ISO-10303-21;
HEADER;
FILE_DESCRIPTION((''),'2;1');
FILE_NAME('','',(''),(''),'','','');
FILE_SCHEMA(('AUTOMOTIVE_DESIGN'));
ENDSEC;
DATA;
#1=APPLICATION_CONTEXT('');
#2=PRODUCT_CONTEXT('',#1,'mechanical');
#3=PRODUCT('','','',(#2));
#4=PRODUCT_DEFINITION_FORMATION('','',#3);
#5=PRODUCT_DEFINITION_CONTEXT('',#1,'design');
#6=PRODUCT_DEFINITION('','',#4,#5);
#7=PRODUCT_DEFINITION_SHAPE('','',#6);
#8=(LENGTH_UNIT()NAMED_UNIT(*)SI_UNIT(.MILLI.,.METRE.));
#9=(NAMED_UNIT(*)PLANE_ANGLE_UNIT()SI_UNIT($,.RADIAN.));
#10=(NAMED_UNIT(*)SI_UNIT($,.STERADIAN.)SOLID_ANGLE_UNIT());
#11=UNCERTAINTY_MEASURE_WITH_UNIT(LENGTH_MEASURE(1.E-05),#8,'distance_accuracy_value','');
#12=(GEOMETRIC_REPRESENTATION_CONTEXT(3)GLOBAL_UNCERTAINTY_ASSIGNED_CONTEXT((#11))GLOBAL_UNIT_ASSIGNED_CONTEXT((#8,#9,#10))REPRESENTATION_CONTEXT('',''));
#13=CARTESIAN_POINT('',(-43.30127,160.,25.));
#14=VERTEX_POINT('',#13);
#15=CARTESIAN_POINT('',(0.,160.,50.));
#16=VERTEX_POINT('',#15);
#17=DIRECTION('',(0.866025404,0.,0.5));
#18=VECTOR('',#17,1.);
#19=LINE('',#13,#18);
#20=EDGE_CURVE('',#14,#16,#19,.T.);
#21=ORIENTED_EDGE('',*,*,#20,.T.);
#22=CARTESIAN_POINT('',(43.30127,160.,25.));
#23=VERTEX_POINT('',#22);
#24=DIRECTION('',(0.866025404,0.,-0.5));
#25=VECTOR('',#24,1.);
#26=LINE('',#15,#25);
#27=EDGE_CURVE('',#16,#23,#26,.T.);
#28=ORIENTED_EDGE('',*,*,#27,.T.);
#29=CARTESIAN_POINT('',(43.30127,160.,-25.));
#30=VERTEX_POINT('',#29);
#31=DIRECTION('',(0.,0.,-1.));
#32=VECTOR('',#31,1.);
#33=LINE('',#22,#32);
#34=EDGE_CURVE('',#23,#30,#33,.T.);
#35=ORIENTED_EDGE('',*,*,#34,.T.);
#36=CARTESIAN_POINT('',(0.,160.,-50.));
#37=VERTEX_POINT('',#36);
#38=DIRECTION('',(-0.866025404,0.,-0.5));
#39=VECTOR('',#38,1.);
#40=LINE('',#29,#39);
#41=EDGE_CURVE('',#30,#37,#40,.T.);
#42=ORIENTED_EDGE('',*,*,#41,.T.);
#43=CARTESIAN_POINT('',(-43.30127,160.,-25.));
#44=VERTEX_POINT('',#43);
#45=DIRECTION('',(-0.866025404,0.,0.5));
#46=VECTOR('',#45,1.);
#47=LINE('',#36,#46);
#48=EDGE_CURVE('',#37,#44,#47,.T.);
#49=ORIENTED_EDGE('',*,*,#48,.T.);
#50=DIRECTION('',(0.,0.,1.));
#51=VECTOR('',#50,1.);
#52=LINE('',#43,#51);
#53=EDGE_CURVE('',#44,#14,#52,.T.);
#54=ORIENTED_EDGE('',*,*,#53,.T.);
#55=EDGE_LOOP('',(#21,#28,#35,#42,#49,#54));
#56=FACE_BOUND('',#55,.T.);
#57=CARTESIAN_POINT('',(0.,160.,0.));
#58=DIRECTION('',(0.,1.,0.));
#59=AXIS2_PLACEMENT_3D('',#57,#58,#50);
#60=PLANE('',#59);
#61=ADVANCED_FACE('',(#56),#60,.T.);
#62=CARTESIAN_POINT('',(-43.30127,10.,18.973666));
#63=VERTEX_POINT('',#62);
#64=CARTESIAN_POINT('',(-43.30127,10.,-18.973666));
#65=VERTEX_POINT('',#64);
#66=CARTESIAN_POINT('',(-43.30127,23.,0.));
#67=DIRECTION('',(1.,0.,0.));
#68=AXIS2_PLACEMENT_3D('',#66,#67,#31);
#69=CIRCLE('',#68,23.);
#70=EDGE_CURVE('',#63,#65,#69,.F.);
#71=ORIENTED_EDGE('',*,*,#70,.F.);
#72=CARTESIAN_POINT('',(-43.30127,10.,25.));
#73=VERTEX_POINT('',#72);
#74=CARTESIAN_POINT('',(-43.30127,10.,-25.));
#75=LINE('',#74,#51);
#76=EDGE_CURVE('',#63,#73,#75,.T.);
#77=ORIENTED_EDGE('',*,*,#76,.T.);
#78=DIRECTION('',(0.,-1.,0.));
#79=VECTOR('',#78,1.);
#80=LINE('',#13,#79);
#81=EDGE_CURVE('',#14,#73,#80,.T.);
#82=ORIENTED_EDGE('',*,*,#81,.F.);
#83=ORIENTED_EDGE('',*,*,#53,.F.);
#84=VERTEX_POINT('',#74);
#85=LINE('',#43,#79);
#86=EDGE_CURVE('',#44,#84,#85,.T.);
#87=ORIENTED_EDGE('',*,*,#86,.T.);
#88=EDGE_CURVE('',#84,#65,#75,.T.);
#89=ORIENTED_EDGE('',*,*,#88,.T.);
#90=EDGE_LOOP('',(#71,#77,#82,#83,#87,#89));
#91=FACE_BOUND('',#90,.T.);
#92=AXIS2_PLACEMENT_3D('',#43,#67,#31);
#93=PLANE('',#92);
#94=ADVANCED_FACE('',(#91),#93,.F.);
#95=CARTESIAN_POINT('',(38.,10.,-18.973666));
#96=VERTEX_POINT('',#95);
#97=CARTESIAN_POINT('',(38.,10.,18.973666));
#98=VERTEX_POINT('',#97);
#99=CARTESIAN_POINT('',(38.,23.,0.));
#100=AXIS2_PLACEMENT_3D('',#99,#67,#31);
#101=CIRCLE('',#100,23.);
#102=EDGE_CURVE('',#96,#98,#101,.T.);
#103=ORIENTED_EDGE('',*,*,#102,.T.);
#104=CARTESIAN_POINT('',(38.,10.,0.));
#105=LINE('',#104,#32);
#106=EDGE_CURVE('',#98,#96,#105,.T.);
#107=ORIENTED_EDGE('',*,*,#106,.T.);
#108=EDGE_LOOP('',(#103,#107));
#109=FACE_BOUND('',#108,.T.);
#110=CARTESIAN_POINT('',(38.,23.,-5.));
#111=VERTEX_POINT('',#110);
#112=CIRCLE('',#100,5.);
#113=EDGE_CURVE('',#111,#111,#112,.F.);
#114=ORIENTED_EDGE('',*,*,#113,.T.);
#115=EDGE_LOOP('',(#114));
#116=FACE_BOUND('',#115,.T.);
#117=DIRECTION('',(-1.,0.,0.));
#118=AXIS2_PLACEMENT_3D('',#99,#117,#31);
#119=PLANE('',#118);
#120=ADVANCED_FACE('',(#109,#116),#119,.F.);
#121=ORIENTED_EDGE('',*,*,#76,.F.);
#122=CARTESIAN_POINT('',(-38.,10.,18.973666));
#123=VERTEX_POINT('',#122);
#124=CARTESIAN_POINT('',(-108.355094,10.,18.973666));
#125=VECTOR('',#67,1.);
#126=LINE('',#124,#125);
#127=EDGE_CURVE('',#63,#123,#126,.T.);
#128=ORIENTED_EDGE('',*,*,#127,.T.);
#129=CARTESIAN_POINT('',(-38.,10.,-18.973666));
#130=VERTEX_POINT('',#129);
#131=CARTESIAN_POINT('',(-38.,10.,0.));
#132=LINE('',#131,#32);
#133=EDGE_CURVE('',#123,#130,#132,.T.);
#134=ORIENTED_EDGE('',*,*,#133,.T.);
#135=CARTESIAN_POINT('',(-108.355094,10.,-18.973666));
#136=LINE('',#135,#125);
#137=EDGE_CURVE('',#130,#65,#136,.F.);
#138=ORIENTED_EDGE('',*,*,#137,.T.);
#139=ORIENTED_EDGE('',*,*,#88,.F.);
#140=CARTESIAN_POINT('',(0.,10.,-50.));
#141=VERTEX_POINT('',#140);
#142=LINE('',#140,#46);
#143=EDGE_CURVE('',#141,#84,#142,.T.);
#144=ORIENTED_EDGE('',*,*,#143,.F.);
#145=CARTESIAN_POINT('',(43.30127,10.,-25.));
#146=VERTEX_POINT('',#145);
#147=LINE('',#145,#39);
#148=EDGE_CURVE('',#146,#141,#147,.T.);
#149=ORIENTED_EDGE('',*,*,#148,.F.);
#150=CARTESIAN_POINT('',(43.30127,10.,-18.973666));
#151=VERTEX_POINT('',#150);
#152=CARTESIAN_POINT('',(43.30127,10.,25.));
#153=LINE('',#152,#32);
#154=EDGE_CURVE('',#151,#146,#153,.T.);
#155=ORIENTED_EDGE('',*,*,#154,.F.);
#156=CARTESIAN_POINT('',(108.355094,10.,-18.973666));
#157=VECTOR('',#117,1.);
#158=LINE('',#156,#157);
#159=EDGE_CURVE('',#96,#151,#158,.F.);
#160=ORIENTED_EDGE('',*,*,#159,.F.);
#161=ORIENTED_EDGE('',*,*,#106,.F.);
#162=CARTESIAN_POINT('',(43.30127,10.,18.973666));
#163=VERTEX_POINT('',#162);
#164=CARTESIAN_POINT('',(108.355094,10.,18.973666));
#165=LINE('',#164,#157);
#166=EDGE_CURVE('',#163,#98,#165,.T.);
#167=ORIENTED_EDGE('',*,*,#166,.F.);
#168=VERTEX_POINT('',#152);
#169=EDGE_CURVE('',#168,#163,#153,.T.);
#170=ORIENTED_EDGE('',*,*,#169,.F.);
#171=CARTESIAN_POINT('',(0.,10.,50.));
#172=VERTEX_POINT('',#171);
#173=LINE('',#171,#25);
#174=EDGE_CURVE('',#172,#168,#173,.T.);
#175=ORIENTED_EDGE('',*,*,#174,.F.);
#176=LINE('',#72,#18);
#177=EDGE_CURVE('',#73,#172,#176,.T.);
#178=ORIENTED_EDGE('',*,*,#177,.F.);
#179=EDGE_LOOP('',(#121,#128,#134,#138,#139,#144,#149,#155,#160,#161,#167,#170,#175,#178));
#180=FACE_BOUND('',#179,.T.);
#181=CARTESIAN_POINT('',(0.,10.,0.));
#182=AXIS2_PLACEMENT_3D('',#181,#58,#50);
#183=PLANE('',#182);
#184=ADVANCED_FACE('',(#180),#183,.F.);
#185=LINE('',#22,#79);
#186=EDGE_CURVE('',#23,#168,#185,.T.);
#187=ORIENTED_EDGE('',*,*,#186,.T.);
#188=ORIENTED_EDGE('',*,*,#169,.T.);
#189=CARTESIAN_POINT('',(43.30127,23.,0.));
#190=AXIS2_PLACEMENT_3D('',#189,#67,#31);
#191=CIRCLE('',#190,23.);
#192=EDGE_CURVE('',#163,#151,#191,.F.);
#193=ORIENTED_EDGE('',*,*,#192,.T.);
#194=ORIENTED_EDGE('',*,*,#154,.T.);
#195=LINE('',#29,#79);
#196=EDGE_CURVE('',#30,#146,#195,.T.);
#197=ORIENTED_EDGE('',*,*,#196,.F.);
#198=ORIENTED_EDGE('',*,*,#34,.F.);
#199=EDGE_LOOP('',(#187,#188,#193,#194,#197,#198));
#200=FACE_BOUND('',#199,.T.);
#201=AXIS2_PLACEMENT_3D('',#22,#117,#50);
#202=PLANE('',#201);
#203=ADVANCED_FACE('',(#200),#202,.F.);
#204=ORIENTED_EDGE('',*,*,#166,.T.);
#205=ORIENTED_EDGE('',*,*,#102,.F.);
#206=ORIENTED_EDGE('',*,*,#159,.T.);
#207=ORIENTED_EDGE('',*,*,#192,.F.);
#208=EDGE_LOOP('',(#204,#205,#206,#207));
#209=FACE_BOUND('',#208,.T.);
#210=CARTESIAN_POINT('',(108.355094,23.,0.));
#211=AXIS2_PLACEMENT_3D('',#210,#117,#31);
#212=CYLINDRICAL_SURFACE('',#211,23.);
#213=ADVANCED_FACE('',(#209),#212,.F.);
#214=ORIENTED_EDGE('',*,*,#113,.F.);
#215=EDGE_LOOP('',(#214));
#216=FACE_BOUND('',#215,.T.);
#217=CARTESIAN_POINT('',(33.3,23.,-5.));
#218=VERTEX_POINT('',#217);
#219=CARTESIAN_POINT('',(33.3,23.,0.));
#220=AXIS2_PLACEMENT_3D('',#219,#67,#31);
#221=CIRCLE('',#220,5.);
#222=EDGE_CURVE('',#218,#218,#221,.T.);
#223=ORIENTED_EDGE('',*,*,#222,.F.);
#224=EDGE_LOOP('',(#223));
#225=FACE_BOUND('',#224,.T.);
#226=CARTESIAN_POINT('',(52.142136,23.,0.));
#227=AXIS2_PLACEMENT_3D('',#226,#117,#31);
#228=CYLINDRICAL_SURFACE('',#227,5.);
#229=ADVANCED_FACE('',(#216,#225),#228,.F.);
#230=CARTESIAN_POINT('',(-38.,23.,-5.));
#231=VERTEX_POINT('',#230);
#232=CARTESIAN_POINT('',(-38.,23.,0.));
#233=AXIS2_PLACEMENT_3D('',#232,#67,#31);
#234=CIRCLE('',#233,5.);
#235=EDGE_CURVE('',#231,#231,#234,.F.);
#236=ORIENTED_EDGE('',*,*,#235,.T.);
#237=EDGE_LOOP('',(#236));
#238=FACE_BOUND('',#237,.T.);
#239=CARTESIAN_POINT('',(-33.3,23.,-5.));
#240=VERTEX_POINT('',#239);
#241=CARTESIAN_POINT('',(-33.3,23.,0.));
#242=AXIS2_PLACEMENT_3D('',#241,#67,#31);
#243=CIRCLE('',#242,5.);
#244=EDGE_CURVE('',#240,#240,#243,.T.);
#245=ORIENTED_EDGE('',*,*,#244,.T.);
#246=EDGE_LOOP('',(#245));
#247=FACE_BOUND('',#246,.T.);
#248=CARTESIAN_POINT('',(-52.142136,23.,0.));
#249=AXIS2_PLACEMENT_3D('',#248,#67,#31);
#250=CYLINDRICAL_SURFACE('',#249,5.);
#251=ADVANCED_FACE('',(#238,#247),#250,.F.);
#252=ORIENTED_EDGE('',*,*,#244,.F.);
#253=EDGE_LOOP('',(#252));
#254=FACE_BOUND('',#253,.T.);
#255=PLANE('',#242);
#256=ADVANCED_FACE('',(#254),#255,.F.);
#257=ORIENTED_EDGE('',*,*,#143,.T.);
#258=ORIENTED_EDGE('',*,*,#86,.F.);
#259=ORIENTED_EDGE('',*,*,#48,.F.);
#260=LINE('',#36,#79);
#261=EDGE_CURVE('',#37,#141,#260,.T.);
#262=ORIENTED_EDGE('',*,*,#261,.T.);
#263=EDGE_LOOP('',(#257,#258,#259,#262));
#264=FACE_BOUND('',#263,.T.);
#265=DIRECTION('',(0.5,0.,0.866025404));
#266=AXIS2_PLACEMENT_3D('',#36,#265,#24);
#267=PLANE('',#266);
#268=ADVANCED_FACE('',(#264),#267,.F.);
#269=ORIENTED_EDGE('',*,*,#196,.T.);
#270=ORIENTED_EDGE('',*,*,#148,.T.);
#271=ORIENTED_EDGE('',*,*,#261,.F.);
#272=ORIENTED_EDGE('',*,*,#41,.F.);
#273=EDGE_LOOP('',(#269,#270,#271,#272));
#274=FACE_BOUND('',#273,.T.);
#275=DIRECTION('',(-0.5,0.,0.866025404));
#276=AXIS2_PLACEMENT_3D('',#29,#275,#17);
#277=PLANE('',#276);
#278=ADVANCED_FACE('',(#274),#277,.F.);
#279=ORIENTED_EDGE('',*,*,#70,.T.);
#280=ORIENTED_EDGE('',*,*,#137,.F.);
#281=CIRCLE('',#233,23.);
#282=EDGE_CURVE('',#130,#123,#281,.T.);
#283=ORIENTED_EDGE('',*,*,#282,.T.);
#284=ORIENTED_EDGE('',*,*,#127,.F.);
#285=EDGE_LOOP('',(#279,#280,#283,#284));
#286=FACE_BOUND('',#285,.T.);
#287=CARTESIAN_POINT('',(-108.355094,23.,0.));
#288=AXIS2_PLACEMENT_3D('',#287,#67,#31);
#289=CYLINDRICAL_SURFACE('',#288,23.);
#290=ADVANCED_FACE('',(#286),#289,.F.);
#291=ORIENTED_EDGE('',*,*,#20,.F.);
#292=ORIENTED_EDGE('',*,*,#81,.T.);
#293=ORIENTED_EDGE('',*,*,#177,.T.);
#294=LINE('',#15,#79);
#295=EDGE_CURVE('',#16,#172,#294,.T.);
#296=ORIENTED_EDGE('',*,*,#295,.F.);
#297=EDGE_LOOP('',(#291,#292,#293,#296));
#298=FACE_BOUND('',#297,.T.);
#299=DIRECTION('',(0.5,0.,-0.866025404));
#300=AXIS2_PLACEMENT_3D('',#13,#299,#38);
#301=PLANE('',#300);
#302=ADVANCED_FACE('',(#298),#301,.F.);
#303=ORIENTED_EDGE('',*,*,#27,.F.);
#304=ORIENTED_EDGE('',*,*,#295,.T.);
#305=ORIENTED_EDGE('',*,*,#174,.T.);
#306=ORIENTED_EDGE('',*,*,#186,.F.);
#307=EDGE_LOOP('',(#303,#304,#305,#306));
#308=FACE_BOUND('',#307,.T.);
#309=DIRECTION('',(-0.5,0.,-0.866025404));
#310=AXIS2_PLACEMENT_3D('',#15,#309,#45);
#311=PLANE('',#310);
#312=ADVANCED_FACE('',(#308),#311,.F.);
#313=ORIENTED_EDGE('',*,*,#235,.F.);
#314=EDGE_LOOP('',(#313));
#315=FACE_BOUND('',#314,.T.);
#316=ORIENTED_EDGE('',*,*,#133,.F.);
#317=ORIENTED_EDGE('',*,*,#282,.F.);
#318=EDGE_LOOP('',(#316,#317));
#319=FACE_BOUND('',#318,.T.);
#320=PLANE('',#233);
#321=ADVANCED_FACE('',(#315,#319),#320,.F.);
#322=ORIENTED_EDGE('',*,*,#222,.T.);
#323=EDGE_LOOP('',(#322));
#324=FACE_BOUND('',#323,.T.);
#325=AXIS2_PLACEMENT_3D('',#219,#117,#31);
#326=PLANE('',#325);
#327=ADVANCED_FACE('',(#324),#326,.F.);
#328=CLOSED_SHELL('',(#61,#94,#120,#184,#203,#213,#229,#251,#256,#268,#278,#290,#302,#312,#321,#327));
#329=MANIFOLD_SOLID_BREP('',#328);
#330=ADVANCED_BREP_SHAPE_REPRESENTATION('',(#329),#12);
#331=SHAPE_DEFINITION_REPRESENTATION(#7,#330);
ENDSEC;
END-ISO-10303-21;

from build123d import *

# Parameters (mm, degrees)
BOSS_EXTRUDE1_START = 10
BOSS_EXTRUDE1_DEPTH = 150
CUT_EXTRUDE1_START  = -38
SKETCH3_R           = 23
CUT_EXTRUDE1_DEPTH  = 81.301270189
CUT_EXTRUDE2_START  = -33.3
SKETCH4_R           = 5
CUT_EXTRUDE2_DEPTH  = 4.7


with BuildPart() as part:
    # Sketch1 → Boss-Extrude1 (new body)
    with BuildSketch(Plane(origin=(0, 0, 0), x_dir=(1, 0, 0), z_dir=(0, 1, 0)).offset(BOSS_EXTRUDE1_START)):
        Polygon((0, 50), (-43.301270189, 25), (-43.301270189, -25), (0, -50), (43.301270189, -25), (43.301270189, 25), align=None)
    extrude(amount=BOSS_EXTRUDE1_DEPTH)

    # Sketch3 → Cut-Extrude1 (cut)
    with BuildSketch(Plane(origin=(0, 0, 0), x_dir=(0, 0, -1), z_dir=(1, 0, 0)).offset(CUT_EXTRUDE1_START)):
        with Locations((0, 23)):
            Circle(SKETCH3_R)
    cut_extrude1 = extrude(amount=-CUT_EXTRUDE1_DEPTH, mode=Mode.SUBTRACT)

    # Sketch4 → Cut-Extrude2 (cut)
    with BuildSketch(Plane(origin=(0, 0, 0), x_dir=(0, 0, -1), z_dir=(1, 0, 0)).offset(CUT_EXTRUDE2_START)):
        with Locations((0, 23)):
            Circle(SKETCH4_R)
    cut_extrude2 = extrude(amount=-CUT_EXTRUDE2_DEPTH, mode=Mode.SUBTRACT)

    # Mirror4: Cut-Extrude1, Cut-Extrude2 across plane
    add(cut_extrude1.mirror(Plane(origin=(0, 0, 0), x_dir=(0, 0, 1), z_dir=(1, 0, 0))), mode=Mode.SUBTRACT)
    add(cut_extrude2.mirror(Plane(origin=(0, 0, 0), x_dir=(0, 0, 1), z_dir=(1, 0, 0))), mode=Mode.SUBTRACT)


solid = part.part
